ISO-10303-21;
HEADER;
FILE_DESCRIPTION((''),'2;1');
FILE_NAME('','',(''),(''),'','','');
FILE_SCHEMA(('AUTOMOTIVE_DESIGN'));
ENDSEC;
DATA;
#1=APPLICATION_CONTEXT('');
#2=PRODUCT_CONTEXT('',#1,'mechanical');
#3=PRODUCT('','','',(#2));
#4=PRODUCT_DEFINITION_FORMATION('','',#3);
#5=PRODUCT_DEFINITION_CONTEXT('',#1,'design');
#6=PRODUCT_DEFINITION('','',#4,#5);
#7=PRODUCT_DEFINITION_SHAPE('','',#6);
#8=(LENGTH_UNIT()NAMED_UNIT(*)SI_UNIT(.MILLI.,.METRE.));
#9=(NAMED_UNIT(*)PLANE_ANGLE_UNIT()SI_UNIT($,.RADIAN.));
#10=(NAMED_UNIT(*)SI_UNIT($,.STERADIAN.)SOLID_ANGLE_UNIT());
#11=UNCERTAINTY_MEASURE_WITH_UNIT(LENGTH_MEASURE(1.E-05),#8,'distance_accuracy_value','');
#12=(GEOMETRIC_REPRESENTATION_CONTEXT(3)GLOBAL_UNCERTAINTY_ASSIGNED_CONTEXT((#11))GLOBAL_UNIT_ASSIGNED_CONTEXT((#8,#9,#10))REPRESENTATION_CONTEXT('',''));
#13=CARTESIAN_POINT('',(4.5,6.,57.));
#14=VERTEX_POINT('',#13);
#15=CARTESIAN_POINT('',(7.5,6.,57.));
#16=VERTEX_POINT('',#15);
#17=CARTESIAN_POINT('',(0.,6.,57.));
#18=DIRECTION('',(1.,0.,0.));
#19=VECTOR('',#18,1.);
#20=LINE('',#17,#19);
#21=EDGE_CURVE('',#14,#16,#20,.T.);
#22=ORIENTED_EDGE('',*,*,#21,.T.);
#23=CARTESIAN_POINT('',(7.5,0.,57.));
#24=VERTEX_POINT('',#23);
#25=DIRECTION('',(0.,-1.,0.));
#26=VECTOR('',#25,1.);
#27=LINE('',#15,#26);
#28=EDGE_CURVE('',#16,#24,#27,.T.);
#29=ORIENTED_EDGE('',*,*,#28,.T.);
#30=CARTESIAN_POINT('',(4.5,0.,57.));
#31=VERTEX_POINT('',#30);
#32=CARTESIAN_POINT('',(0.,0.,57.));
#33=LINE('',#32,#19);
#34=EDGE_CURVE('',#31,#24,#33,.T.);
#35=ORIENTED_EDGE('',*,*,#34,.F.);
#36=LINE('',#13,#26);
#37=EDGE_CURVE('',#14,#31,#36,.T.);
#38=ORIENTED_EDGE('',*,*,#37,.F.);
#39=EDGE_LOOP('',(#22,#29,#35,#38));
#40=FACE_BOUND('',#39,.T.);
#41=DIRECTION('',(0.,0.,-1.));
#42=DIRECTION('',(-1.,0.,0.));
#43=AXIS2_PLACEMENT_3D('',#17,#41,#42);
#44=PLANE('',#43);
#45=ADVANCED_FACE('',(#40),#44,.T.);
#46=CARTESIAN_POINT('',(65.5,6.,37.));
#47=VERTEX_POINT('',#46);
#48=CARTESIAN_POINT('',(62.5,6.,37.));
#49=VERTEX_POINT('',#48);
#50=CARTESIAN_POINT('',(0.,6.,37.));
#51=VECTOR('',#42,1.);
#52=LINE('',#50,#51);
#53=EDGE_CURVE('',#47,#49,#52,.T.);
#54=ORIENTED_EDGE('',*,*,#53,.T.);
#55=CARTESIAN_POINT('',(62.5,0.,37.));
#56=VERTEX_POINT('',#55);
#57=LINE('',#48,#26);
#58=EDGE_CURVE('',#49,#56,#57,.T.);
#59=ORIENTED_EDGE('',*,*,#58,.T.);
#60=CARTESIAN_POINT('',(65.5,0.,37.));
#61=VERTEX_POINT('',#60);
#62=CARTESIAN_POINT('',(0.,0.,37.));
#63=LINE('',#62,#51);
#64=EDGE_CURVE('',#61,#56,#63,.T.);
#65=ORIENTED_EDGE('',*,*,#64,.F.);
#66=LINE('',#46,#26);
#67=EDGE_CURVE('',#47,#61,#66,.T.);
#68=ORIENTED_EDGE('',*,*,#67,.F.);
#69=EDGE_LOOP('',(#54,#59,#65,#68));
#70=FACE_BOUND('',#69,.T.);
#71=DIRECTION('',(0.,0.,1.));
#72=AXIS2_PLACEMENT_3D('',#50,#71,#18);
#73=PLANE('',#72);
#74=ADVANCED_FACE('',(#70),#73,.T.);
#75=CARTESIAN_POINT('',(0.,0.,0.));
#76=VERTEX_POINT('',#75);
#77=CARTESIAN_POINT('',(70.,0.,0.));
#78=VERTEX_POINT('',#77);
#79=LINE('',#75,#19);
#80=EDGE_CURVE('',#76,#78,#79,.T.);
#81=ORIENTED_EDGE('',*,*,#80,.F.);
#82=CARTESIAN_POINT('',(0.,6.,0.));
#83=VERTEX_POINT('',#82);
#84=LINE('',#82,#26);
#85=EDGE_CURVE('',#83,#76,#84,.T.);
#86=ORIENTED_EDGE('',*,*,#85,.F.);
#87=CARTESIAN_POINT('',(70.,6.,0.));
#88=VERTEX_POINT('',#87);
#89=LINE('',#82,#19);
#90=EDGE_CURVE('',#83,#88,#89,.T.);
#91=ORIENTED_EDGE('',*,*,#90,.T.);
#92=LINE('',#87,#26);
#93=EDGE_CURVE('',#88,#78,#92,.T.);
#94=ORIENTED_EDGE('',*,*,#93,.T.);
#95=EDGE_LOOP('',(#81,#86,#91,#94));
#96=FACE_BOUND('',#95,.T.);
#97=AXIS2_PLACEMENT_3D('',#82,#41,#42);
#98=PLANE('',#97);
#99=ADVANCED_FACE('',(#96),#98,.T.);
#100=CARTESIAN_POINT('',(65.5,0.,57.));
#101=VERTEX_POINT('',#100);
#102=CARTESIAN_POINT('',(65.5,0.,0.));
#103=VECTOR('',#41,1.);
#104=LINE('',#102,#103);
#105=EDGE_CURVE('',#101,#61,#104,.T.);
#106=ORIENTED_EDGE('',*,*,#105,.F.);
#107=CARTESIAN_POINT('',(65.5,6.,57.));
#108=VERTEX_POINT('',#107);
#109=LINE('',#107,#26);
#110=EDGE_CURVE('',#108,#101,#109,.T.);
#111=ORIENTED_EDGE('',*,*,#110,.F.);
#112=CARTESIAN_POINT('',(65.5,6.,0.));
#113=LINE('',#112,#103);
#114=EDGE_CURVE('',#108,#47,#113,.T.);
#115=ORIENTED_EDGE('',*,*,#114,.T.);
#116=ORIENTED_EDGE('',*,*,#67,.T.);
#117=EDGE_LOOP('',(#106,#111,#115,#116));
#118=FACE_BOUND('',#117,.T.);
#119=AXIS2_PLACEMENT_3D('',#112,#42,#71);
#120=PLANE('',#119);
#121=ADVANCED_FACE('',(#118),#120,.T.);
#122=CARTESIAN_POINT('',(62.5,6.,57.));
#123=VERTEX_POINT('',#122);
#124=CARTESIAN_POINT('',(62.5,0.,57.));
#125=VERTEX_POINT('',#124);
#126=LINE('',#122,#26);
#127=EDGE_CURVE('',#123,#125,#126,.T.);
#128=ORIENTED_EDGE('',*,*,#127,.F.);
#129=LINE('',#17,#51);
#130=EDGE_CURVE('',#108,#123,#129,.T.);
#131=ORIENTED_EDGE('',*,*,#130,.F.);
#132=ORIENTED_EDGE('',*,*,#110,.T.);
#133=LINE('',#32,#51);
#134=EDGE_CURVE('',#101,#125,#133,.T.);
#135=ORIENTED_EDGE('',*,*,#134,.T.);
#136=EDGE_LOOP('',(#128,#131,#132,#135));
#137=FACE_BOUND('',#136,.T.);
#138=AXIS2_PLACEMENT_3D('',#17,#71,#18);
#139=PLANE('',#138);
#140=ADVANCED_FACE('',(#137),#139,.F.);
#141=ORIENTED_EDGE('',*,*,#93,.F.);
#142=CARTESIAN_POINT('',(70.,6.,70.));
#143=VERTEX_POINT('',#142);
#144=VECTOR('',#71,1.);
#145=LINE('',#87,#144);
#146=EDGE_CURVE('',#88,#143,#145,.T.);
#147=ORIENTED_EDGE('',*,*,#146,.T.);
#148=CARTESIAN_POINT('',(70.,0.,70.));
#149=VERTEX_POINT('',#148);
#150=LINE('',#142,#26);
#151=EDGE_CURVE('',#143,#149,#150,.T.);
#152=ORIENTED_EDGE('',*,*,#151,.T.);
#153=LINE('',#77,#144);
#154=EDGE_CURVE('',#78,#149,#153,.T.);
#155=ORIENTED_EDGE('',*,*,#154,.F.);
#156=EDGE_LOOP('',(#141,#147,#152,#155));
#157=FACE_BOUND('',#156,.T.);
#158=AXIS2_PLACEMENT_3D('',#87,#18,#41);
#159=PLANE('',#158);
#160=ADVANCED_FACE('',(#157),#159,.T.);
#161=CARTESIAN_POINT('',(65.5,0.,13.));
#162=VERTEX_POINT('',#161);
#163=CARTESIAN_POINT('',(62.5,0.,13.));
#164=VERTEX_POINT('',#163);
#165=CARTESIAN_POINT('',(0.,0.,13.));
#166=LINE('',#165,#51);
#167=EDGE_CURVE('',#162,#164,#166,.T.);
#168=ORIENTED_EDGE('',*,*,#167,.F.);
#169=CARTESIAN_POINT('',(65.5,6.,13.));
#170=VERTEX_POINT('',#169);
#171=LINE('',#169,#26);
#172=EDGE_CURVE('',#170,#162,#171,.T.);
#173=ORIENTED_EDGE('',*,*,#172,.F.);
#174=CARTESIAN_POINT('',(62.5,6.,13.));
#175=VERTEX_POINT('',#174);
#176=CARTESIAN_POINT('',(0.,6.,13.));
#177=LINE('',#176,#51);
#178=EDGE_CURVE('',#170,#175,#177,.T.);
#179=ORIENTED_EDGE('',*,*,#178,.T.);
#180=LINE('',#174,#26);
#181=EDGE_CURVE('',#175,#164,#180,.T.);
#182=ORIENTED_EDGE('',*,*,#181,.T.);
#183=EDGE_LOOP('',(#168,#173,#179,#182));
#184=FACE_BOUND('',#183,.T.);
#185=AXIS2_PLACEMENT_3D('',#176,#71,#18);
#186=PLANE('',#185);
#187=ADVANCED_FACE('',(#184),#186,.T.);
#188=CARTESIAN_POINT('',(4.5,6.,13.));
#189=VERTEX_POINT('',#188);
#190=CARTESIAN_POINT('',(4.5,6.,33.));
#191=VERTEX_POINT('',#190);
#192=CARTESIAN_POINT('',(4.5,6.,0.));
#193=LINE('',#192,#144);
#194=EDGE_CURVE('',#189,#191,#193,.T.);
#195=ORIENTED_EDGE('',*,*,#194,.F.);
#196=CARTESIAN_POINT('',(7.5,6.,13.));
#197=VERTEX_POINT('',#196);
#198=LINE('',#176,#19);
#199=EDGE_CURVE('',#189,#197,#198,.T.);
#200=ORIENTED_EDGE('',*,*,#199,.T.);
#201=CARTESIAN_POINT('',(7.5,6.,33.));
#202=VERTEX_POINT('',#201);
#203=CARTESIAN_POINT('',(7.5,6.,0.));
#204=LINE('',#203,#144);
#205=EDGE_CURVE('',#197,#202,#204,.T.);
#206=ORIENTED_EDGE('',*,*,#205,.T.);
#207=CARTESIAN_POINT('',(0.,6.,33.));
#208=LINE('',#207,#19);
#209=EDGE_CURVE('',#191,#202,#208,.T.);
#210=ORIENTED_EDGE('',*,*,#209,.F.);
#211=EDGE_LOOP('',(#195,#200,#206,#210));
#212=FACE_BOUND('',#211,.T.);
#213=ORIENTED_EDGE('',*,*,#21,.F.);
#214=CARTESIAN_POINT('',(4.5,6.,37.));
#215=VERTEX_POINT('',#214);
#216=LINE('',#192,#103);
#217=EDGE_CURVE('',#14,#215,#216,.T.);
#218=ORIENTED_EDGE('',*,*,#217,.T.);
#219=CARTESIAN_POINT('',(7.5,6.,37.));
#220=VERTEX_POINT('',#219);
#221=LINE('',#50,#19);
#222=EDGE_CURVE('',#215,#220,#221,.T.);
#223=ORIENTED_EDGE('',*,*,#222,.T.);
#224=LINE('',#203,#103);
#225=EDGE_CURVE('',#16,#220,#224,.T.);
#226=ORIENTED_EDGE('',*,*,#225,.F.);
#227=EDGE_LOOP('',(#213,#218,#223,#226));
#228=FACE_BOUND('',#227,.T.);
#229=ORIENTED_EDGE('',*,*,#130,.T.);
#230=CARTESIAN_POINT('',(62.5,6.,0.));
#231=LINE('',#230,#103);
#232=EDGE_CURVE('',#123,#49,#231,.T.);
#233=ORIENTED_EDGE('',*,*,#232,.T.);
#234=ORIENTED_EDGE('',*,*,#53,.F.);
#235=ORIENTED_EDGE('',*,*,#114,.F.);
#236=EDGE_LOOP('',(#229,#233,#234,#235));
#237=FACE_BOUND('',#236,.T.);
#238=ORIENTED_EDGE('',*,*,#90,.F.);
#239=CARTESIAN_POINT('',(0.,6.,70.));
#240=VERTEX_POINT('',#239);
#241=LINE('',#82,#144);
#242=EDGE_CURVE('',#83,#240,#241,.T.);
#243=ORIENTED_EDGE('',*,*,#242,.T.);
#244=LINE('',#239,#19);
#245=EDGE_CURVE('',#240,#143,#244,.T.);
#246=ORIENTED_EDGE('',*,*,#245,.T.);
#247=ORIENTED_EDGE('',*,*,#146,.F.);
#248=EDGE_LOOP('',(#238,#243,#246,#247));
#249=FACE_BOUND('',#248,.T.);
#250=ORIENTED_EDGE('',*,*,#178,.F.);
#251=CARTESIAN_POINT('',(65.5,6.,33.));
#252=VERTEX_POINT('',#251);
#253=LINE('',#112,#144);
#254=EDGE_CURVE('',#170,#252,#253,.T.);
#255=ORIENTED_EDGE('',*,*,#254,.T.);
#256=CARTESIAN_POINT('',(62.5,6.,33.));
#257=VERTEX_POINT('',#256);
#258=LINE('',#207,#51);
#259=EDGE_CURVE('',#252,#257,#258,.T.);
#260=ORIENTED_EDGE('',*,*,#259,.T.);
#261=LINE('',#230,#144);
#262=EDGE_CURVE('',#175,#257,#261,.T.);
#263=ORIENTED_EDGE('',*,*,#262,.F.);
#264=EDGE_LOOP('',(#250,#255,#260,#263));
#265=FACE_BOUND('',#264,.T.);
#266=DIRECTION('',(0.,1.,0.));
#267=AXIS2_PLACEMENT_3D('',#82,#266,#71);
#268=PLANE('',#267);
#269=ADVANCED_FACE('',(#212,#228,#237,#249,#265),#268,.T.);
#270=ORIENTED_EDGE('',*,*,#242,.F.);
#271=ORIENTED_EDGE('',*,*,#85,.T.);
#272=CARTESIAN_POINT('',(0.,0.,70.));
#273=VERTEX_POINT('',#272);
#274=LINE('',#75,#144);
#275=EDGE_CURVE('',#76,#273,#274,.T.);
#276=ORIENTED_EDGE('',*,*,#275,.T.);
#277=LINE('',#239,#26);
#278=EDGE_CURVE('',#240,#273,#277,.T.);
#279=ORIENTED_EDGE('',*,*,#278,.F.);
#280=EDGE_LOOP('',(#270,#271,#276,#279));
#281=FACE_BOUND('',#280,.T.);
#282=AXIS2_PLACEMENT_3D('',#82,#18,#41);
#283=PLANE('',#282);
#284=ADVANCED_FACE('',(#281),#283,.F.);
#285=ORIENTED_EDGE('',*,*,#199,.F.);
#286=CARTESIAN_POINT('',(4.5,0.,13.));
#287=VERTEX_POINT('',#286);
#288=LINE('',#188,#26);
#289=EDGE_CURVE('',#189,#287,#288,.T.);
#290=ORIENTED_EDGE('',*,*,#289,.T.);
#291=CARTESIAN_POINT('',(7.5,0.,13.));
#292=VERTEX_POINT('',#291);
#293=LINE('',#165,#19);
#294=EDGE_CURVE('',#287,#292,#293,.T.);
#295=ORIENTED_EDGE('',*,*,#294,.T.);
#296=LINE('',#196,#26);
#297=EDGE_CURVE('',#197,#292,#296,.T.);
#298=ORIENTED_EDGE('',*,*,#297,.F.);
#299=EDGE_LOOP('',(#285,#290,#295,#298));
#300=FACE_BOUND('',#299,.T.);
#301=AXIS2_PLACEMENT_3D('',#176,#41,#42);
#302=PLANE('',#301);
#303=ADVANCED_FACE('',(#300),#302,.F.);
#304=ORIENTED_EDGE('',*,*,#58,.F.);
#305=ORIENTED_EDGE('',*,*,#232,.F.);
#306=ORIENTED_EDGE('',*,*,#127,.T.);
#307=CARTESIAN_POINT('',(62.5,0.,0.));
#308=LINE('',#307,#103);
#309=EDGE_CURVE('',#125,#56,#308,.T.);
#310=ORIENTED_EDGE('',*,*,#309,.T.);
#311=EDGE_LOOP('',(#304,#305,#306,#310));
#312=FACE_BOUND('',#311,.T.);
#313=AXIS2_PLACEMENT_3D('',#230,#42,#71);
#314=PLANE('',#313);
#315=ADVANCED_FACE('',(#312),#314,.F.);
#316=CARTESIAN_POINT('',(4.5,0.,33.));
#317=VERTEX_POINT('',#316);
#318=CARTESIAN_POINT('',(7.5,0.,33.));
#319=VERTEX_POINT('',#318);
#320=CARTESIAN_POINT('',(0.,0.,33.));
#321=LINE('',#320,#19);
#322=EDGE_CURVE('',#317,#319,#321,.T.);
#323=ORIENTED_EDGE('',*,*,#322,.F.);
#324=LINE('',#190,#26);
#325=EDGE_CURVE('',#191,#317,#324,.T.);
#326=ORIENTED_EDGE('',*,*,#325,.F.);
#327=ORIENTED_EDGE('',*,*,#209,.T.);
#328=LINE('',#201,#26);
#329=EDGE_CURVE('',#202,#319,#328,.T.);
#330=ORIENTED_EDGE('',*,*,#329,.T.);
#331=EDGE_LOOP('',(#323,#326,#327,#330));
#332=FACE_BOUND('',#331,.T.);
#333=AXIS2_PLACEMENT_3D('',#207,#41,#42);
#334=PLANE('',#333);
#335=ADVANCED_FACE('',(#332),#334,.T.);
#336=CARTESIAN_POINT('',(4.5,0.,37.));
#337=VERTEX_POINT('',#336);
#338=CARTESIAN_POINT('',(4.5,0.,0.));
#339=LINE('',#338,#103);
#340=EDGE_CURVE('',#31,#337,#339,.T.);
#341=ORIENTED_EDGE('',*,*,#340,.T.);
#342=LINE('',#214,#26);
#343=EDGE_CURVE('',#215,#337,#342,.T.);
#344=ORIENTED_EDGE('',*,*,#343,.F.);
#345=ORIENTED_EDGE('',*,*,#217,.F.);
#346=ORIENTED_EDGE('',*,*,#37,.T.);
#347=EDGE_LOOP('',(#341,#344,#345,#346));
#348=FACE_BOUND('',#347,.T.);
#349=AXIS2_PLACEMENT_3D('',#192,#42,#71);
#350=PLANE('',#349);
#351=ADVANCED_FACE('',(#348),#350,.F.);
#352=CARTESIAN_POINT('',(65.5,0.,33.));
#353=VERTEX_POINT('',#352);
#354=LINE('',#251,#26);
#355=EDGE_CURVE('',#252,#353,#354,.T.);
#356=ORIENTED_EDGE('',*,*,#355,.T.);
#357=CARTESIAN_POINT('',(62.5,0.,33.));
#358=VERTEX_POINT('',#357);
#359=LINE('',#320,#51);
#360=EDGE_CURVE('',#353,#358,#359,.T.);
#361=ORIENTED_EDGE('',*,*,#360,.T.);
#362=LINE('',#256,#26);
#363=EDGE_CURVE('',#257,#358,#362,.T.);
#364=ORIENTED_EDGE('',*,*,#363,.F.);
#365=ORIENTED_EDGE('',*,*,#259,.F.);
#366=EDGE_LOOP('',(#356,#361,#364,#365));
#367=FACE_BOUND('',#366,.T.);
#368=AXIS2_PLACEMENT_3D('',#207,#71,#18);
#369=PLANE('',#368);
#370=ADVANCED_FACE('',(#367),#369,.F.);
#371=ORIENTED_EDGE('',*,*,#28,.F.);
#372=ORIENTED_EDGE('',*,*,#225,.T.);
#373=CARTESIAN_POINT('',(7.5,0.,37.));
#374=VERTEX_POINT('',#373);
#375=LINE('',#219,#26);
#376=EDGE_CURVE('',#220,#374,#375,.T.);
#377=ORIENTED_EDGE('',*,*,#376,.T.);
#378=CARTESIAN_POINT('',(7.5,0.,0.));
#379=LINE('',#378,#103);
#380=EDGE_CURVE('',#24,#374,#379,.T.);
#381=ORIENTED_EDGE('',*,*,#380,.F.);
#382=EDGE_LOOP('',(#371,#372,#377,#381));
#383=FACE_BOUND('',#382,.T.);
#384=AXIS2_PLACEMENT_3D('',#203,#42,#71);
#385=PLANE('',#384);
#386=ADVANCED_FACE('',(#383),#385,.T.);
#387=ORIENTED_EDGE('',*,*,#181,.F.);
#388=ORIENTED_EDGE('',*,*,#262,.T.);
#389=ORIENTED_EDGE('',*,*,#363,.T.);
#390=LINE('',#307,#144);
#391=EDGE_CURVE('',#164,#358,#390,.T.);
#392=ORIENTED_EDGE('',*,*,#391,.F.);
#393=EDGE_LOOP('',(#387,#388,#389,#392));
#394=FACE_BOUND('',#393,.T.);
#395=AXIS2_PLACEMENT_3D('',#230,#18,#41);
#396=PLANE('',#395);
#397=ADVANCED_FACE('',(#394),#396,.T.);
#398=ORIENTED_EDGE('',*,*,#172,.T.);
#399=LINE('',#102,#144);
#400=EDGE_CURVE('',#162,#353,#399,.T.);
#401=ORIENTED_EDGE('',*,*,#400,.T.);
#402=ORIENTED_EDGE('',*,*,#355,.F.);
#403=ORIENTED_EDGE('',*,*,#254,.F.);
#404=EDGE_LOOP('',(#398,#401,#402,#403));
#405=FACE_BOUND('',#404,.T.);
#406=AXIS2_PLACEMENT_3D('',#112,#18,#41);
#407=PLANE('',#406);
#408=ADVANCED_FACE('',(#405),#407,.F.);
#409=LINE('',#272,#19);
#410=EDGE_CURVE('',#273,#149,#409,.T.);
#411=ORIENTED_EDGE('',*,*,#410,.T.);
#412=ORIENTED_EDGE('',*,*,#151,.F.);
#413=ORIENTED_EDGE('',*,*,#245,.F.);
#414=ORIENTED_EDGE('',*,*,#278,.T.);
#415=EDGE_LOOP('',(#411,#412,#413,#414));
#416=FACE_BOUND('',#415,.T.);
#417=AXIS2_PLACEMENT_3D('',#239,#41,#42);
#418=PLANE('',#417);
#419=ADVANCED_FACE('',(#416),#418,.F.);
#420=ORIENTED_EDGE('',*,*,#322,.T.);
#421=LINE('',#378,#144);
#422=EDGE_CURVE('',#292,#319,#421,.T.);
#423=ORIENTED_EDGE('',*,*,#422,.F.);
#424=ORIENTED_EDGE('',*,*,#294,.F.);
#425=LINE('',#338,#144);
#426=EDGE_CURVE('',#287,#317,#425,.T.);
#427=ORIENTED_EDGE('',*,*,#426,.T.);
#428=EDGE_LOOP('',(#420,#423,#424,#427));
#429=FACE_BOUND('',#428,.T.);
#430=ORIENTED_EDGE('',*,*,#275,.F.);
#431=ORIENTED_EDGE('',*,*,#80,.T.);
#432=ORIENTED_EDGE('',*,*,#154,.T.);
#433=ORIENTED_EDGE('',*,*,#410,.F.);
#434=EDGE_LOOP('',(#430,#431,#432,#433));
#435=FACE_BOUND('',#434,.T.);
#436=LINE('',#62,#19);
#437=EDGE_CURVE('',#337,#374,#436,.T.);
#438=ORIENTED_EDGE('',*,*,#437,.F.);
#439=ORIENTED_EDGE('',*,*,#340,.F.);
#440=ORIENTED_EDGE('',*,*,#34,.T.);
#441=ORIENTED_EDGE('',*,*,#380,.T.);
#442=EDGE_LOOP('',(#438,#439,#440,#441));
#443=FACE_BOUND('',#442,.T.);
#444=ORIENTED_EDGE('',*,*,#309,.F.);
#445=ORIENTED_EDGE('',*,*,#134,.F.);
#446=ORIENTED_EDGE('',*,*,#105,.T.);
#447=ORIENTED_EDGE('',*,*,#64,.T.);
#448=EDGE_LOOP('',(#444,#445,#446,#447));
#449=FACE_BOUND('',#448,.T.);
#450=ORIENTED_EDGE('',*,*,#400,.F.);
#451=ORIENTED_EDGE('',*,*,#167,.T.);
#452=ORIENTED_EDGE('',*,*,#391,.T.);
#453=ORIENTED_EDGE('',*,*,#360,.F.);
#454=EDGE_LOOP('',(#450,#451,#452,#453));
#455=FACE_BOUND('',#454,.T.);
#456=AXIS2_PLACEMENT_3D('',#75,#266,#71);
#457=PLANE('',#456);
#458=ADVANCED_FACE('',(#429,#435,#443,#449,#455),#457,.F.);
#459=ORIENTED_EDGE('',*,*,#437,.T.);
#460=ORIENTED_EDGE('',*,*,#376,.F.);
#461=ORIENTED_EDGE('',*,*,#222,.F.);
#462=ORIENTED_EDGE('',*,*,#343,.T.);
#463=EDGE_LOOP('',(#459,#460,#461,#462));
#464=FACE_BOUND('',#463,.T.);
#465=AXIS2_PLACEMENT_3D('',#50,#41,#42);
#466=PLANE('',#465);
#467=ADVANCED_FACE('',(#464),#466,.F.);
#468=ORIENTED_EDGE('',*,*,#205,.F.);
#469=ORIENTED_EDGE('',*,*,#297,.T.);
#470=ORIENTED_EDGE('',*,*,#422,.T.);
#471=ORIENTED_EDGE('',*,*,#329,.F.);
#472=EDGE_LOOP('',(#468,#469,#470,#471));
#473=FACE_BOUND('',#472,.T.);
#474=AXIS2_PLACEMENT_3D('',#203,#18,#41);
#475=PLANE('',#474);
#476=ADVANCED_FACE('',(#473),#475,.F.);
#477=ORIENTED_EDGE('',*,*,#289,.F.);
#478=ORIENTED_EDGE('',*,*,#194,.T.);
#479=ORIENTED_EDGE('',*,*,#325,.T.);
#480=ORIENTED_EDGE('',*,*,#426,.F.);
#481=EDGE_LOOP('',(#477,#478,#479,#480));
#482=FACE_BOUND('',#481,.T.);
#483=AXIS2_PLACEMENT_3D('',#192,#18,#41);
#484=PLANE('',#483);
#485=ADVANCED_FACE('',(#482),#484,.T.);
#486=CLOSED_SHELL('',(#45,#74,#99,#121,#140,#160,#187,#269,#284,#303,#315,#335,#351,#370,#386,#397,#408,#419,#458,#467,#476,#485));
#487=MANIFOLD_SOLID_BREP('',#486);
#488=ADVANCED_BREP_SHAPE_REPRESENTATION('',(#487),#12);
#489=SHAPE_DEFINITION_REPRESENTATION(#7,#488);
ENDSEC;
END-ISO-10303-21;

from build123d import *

# Parameters (mm, degrees)
SKETCH_1_W      = 70
SKETCH_1_H      = 70
SKETCH_1_W_2    = 3
SKETCH_1_H_2    = 20
EXTRUDE_1_DEPTH = 6


with BuildPart() as part:
    # 草图1 → 凸台-拉伸1 (new body)
    with BuildSketch(Plane(origin=(0, 0, 0), x_dir=(1, 0, 0), z_dir=(0, 1, 0))):
        with Locations((35, -35)):
            Rectangle(SKETCH_1_W, SKETCH_1_H)
        with Locations((6, -23)):
            Rectangle(SKETCH_1_W_2, SKETCH_1_H_2, mode=Mode.SUBTRACT)
        with Locations((6, -47)):
            Rectangle(SKETCH_1_W_2, SKETCH_1_H_2, mode=Mode.SUBTRACT)
        with Locations((64, -47)):
            Rectangle(SKETCH_1_W_2, SKETCH_1_H_2, mode=Mode.SUBTRACT)
        with Locations((64, -23)):
            Rectangle(SKETCH_1_W_2, SKETCH_1_H_2, mode=Mode.SUBTRACT)
    extrude(amount=EXTRUDE_1_DEPTH)


solid = part.part
